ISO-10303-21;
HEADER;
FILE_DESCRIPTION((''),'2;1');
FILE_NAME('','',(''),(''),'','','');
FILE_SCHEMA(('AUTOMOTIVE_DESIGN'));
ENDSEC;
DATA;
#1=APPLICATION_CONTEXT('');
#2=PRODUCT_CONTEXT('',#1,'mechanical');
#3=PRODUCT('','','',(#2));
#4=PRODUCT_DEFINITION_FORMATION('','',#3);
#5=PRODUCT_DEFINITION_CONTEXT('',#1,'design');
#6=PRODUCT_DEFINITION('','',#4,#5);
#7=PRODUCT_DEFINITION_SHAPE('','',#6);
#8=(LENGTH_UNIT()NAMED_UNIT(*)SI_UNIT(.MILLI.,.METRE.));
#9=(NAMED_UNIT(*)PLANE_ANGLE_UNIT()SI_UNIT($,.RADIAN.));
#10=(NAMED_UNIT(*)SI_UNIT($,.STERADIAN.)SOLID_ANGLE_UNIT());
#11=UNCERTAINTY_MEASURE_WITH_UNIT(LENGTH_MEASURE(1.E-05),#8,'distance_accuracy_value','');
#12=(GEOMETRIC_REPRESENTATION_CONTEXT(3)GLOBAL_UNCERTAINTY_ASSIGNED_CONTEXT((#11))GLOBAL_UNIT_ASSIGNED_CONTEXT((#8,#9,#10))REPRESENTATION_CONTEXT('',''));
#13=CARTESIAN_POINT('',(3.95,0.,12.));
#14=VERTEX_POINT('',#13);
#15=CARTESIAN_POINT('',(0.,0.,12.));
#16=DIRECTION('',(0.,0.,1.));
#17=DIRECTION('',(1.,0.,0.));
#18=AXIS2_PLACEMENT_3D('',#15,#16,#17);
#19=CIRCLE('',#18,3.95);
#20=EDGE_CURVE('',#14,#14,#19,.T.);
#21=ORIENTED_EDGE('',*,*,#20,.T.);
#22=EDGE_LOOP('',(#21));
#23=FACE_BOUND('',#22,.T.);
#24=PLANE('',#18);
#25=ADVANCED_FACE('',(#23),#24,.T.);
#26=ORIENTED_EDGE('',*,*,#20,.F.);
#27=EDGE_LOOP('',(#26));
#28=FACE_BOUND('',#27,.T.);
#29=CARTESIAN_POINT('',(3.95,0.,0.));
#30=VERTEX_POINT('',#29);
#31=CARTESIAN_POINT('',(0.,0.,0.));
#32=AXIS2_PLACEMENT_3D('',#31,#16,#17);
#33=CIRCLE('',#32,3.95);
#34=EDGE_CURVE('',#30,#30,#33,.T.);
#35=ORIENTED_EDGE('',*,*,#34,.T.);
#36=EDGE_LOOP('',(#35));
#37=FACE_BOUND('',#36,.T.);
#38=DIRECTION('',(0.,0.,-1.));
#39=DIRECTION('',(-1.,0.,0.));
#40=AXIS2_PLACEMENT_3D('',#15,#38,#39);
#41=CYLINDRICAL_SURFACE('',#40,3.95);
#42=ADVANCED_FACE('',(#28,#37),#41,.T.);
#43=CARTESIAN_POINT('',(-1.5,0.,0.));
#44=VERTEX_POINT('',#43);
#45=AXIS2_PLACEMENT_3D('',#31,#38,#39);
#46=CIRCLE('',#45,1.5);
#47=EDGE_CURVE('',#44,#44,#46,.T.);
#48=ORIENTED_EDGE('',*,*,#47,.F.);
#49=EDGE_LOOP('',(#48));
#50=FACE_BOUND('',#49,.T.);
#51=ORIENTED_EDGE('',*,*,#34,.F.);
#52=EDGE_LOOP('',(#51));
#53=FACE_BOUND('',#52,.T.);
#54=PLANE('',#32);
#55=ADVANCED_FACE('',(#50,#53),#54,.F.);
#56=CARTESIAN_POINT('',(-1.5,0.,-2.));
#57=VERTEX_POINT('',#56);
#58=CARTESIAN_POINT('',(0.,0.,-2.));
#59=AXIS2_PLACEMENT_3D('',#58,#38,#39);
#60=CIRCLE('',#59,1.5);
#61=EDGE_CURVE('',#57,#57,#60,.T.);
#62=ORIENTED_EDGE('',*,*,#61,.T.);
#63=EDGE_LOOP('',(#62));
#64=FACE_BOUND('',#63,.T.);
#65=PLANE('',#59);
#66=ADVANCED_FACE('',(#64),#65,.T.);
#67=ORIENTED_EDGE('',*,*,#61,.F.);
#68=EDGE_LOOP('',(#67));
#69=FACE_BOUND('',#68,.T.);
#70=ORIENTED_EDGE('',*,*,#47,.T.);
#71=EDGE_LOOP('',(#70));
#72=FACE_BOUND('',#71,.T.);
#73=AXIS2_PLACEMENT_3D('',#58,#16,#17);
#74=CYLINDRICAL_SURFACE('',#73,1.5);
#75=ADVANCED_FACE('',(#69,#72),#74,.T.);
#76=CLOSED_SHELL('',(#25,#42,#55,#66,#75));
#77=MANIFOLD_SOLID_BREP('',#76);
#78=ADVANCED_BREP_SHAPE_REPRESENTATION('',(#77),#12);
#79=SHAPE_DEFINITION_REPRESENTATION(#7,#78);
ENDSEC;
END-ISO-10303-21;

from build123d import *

# Parameters (mm, degrees)
SKETCH_1_R      = 3.95
EXTRUDE_1_DEPTH = 12
SKETCH_2_R      = 1.5
EXTRUDE_2_DEPTH = 2


with BuildPart() as part:
    # 草图1 → 凸台-拉伸1 (new body)
    with BuildSketch(Plane.XY):
        Circle(SKETCH_1_R)
    extrude(amount=EXTRUDE_1_DEPTH)

    # 草图2 → 凸台-拉伸2 (add)
    with BuildSketch(Plane(origin=(0, 0, 0), x_dir=(-1, 0, 0), z_dir=(0, 0, -1))):
        Circle(SKETCH_2_R)
    extrude(amount=EXTRUDE_2_DEPTH)


solid = part.part
